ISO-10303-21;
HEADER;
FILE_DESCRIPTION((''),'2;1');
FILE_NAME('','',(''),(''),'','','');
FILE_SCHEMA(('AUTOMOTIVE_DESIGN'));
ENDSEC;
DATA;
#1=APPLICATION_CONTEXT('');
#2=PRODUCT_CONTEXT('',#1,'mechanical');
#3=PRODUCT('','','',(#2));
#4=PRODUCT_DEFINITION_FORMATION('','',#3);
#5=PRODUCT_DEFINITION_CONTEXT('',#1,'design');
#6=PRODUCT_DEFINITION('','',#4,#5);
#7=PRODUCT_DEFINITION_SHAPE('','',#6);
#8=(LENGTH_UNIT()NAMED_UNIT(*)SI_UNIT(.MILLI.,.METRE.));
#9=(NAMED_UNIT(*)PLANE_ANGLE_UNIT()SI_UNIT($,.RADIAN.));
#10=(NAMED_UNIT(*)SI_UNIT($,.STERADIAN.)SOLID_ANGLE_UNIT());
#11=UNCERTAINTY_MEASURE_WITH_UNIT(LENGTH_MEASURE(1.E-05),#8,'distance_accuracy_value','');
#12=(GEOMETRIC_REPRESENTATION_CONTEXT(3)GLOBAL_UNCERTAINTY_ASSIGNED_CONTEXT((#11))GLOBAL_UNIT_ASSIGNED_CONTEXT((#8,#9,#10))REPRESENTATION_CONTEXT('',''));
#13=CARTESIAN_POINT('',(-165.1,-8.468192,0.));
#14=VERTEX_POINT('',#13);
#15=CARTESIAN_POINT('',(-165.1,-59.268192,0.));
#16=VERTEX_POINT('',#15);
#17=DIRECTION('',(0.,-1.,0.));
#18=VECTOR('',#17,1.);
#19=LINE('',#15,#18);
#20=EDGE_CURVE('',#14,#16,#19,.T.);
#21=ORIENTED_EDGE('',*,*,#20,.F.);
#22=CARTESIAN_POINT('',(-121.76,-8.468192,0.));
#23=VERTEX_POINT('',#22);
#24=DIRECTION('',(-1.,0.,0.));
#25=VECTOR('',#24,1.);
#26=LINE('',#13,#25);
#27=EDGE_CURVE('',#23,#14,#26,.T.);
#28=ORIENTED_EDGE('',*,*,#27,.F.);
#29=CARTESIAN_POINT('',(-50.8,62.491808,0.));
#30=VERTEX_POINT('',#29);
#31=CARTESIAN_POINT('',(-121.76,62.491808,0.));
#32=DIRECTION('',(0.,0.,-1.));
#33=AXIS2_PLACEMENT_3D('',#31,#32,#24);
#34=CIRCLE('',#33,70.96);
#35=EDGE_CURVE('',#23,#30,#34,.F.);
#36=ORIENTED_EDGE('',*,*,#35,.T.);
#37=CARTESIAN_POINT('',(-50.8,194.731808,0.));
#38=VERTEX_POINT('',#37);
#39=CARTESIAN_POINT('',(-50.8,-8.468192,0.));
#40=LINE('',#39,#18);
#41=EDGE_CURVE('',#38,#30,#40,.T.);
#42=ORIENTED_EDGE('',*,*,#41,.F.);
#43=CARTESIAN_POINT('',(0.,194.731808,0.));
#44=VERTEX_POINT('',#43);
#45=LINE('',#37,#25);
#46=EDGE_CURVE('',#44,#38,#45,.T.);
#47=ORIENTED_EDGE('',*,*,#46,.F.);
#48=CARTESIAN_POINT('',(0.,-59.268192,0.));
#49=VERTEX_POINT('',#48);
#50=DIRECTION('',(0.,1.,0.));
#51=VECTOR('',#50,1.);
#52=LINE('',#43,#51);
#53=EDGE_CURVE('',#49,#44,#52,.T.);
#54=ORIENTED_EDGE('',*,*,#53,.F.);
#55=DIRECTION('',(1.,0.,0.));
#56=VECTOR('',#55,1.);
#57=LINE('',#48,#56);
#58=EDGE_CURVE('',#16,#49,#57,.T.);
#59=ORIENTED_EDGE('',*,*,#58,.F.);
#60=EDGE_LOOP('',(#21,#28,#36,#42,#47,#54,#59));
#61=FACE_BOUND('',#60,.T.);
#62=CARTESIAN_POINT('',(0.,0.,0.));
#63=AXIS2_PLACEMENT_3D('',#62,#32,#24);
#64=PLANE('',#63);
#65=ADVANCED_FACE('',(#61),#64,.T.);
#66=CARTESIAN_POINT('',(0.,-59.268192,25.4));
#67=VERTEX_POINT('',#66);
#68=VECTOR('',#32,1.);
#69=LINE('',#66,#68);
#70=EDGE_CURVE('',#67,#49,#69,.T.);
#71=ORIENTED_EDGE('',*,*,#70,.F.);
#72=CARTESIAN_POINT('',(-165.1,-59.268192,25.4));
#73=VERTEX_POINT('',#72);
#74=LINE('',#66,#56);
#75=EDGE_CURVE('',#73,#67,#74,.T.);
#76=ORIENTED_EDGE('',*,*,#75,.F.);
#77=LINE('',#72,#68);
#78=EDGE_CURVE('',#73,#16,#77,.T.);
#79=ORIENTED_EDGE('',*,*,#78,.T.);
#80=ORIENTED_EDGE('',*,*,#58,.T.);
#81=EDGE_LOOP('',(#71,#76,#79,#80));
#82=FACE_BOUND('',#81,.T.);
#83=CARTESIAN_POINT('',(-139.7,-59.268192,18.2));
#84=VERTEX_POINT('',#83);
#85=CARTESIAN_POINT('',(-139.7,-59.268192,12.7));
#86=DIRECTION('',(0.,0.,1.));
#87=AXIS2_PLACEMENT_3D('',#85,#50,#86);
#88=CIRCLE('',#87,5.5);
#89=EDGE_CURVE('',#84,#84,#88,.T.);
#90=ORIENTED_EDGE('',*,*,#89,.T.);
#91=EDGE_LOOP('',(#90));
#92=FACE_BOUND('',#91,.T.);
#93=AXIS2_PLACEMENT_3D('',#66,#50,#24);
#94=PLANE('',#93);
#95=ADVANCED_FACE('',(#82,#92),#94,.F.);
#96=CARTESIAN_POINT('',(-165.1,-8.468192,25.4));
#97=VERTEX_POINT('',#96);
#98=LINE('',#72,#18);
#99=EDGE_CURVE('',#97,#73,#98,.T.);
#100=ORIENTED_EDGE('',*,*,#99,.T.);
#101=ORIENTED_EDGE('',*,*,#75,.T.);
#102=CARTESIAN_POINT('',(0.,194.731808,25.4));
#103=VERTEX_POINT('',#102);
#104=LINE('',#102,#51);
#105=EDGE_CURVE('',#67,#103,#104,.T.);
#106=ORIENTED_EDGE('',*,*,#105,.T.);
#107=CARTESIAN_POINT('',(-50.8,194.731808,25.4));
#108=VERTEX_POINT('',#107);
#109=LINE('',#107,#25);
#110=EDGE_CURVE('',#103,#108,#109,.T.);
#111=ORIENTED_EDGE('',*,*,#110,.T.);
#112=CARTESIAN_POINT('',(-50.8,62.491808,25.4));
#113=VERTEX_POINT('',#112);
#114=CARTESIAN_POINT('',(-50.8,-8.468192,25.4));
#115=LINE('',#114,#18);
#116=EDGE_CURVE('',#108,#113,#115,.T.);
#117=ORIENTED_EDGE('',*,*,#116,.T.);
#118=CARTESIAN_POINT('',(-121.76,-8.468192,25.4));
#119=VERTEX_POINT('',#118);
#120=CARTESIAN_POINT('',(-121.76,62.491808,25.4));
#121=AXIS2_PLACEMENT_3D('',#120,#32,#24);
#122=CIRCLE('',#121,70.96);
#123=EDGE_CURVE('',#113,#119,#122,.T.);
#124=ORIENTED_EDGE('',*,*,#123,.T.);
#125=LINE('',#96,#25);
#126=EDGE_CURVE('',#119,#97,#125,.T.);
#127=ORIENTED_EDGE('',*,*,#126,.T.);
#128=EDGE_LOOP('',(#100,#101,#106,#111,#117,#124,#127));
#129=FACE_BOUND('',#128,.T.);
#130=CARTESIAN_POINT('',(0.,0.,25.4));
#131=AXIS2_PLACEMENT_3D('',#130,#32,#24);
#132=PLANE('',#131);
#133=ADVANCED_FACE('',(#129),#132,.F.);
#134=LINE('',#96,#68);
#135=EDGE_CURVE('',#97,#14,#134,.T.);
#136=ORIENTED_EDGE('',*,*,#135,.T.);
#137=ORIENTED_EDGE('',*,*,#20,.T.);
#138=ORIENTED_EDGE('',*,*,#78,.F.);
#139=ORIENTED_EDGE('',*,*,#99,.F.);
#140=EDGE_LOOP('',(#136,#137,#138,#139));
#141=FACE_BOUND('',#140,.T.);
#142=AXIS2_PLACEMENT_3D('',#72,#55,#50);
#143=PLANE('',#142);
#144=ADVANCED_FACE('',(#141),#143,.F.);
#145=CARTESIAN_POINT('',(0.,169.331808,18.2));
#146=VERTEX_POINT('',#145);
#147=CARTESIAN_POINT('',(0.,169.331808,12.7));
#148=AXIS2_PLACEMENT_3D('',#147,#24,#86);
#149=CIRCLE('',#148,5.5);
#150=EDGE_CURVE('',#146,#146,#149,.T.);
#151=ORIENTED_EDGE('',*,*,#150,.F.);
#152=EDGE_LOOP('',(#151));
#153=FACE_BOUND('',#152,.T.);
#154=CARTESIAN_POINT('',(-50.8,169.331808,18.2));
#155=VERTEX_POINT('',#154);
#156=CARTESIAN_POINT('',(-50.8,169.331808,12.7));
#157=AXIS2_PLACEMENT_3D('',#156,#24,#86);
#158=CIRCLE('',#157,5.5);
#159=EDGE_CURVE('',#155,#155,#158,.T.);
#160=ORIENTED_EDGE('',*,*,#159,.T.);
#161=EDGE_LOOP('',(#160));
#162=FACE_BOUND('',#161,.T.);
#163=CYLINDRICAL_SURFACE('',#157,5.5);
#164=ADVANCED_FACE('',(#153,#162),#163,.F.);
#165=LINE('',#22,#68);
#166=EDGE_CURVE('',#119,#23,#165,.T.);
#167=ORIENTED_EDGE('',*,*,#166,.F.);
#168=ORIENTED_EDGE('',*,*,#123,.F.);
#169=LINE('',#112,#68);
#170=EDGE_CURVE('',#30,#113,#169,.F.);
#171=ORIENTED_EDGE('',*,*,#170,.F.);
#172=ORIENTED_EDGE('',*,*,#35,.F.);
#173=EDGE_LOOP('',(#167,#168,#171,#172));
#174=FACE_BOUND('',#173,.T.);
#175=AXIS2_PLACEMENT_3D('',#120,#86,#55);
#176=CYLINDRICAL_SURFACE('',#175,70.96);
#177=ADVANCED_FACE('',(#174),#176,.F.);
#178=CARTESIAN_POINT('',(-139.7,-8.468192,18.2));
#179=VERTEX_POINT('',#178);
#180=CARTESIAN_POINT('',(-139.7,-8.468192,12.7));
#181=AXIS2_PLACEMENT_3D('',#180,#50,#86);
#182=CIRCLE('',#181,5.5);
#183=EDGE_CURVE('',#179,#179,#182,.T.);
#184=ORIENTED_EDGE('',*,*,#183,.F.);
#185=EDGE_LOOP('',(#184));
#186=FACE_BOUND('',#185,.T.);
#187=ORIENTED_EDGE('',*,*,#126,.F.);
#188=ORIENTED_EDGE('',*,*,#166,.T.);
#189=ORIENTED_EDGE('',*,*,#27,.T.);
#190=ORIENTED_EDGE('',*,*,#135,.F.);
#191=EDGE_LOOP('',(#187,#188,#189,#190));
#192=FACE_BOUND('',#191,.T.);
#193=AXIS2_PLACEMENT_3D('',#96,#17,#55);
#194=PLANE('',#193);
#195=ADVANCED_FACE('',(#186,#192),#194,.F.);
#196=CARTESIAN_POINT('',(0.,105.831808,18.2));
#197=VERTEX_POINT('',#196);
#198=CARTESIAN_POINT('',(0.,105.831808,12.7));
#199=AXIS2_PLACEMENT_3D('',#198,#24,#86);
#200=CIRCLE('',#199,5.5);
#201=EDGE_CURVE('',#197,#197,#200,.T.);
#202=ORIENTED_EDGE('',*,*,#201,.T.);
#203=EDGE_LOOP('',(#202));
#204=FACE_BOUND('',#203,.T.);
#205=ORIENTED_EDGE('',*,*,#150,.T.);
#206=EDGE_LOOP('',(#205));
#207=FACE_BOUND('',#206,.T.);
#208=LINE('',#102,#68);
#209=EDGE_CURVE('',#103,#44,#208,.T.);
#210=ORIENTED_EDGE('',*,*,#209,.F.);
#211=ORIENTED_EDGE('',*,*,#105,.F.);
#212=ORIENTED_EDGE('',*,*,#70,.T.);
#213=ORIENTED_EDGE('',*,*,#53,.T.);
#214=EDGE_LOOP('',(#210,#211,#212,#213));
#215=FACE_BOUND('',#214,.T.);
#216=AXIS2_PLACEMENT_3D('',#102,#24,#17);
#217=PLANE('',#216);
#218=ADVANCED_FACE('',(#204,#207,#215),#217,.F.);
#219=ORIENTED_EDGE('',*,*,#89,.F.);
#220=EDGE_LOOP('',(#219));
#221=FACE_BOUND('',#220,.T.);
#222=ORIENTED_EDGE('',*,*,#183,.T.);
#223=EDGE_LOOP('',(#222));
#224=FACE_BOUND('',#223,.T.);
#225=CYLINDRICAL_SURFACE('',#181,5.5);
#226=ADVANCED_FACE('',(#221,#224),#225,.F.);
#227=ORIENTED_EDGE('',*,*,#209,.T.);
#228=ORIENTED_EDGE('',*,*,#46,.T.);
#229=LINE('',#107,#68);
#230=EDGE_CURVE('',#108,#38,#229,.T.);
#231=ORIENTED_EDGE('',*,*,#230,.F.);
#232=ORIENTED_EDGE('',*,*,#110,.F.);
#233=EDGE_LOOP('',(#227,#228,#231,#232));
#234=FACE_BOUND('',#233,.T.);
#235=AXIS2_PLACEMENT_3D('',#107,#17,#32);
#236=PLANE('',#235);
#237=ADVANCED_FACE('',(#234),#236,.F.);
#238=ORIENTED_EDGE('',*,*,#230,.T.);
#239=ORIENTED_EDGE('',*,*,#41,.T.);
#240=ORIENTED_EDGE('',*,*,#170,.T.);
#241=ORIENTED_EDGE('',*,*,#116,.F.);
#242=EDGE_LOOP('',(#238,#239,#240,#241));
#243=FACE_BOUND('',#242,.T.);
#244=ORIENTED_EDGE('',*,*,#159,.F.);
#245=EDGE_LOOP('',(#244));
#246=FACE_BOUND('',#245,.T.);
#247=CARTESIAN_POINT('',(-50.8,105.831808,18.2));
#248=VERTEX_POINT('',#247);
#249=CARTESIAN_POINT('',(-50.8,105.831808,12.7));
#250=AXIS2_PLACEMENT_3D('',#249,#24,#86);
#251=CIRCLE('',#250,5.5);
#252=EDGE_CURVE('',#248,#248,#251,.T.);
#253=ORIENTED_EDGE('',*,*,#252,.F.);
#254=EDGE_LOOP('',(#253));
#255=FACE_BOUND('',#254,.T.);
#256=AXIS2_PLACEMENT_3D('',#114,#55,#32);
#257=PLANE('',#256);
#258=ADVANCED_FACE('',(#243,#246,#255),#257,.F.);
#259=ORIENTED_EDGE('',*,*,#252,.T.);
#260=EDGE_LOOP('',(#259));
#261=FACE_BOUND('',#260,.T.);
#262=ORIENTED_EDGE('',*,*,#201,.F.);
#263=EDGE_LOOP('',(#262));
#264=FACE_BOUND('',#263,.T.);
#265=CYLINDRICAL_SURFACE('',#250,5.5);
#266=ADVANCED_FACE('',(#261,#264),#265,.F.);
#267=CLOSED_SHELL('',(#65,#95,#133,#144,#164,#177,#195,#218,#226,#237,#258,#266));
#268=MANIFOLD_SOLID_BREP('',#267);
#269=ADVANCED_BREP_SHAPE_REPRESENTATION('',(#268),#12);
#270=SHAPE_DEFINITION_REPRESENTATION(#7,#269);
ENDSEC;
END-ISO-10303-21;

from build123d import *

# Parameters (mm, degrees)
BOSS_EXTRUDE1_DEPTH   = 25.4
M10_CLEARANCE_HOLE1_D = 11
M10_CLEARANCE_HOLE2_D = 11
FILLET1_R             = 70.96


with BuildPart() as part:
    # Sketch1 → Boss-Extrude1 (new body)
    with BuildSketch(Plane.XY):
        Polygon((0, 194.731808123), (0, -59.268191877), (-165.1, -59.268191877), (-165.1, -8.468191877), (-50.8, -8.468191877), (-50.8, 194.731808123), align=None)
    extrude(amount=BOSS_EXTRUDE1_DEPTH)

    # M10 Clearance Hole1 (through all)
    with Locations(Plane(origin=(0, -8.468191877, 0), x_dir=(1, 0, 0), z_dir=(0, 1, 0))):
        with Locations((-139.7, -12.7)):
            Hole(M10_CLEARANCE_HOLE1_D / 2)

    # M10 Clearance Hole2 (through all)
    with Locations(Plane.ZY.offset(50.8)):
        with Locations((12.7, 169.331808123), (12.7, 105.831808123)):
            Hole(M10_CLEARANCE_HOLE2_D / 2)

    # Fillet1
    fillet1_edges = [part.edges().sort_by_distance(p)[0] for p in [
        (-50.8, -8.468191877, 12.7),
    ]]
    fillet(fillet1_edges, radius=FILLET1_R)


solid = part.part
